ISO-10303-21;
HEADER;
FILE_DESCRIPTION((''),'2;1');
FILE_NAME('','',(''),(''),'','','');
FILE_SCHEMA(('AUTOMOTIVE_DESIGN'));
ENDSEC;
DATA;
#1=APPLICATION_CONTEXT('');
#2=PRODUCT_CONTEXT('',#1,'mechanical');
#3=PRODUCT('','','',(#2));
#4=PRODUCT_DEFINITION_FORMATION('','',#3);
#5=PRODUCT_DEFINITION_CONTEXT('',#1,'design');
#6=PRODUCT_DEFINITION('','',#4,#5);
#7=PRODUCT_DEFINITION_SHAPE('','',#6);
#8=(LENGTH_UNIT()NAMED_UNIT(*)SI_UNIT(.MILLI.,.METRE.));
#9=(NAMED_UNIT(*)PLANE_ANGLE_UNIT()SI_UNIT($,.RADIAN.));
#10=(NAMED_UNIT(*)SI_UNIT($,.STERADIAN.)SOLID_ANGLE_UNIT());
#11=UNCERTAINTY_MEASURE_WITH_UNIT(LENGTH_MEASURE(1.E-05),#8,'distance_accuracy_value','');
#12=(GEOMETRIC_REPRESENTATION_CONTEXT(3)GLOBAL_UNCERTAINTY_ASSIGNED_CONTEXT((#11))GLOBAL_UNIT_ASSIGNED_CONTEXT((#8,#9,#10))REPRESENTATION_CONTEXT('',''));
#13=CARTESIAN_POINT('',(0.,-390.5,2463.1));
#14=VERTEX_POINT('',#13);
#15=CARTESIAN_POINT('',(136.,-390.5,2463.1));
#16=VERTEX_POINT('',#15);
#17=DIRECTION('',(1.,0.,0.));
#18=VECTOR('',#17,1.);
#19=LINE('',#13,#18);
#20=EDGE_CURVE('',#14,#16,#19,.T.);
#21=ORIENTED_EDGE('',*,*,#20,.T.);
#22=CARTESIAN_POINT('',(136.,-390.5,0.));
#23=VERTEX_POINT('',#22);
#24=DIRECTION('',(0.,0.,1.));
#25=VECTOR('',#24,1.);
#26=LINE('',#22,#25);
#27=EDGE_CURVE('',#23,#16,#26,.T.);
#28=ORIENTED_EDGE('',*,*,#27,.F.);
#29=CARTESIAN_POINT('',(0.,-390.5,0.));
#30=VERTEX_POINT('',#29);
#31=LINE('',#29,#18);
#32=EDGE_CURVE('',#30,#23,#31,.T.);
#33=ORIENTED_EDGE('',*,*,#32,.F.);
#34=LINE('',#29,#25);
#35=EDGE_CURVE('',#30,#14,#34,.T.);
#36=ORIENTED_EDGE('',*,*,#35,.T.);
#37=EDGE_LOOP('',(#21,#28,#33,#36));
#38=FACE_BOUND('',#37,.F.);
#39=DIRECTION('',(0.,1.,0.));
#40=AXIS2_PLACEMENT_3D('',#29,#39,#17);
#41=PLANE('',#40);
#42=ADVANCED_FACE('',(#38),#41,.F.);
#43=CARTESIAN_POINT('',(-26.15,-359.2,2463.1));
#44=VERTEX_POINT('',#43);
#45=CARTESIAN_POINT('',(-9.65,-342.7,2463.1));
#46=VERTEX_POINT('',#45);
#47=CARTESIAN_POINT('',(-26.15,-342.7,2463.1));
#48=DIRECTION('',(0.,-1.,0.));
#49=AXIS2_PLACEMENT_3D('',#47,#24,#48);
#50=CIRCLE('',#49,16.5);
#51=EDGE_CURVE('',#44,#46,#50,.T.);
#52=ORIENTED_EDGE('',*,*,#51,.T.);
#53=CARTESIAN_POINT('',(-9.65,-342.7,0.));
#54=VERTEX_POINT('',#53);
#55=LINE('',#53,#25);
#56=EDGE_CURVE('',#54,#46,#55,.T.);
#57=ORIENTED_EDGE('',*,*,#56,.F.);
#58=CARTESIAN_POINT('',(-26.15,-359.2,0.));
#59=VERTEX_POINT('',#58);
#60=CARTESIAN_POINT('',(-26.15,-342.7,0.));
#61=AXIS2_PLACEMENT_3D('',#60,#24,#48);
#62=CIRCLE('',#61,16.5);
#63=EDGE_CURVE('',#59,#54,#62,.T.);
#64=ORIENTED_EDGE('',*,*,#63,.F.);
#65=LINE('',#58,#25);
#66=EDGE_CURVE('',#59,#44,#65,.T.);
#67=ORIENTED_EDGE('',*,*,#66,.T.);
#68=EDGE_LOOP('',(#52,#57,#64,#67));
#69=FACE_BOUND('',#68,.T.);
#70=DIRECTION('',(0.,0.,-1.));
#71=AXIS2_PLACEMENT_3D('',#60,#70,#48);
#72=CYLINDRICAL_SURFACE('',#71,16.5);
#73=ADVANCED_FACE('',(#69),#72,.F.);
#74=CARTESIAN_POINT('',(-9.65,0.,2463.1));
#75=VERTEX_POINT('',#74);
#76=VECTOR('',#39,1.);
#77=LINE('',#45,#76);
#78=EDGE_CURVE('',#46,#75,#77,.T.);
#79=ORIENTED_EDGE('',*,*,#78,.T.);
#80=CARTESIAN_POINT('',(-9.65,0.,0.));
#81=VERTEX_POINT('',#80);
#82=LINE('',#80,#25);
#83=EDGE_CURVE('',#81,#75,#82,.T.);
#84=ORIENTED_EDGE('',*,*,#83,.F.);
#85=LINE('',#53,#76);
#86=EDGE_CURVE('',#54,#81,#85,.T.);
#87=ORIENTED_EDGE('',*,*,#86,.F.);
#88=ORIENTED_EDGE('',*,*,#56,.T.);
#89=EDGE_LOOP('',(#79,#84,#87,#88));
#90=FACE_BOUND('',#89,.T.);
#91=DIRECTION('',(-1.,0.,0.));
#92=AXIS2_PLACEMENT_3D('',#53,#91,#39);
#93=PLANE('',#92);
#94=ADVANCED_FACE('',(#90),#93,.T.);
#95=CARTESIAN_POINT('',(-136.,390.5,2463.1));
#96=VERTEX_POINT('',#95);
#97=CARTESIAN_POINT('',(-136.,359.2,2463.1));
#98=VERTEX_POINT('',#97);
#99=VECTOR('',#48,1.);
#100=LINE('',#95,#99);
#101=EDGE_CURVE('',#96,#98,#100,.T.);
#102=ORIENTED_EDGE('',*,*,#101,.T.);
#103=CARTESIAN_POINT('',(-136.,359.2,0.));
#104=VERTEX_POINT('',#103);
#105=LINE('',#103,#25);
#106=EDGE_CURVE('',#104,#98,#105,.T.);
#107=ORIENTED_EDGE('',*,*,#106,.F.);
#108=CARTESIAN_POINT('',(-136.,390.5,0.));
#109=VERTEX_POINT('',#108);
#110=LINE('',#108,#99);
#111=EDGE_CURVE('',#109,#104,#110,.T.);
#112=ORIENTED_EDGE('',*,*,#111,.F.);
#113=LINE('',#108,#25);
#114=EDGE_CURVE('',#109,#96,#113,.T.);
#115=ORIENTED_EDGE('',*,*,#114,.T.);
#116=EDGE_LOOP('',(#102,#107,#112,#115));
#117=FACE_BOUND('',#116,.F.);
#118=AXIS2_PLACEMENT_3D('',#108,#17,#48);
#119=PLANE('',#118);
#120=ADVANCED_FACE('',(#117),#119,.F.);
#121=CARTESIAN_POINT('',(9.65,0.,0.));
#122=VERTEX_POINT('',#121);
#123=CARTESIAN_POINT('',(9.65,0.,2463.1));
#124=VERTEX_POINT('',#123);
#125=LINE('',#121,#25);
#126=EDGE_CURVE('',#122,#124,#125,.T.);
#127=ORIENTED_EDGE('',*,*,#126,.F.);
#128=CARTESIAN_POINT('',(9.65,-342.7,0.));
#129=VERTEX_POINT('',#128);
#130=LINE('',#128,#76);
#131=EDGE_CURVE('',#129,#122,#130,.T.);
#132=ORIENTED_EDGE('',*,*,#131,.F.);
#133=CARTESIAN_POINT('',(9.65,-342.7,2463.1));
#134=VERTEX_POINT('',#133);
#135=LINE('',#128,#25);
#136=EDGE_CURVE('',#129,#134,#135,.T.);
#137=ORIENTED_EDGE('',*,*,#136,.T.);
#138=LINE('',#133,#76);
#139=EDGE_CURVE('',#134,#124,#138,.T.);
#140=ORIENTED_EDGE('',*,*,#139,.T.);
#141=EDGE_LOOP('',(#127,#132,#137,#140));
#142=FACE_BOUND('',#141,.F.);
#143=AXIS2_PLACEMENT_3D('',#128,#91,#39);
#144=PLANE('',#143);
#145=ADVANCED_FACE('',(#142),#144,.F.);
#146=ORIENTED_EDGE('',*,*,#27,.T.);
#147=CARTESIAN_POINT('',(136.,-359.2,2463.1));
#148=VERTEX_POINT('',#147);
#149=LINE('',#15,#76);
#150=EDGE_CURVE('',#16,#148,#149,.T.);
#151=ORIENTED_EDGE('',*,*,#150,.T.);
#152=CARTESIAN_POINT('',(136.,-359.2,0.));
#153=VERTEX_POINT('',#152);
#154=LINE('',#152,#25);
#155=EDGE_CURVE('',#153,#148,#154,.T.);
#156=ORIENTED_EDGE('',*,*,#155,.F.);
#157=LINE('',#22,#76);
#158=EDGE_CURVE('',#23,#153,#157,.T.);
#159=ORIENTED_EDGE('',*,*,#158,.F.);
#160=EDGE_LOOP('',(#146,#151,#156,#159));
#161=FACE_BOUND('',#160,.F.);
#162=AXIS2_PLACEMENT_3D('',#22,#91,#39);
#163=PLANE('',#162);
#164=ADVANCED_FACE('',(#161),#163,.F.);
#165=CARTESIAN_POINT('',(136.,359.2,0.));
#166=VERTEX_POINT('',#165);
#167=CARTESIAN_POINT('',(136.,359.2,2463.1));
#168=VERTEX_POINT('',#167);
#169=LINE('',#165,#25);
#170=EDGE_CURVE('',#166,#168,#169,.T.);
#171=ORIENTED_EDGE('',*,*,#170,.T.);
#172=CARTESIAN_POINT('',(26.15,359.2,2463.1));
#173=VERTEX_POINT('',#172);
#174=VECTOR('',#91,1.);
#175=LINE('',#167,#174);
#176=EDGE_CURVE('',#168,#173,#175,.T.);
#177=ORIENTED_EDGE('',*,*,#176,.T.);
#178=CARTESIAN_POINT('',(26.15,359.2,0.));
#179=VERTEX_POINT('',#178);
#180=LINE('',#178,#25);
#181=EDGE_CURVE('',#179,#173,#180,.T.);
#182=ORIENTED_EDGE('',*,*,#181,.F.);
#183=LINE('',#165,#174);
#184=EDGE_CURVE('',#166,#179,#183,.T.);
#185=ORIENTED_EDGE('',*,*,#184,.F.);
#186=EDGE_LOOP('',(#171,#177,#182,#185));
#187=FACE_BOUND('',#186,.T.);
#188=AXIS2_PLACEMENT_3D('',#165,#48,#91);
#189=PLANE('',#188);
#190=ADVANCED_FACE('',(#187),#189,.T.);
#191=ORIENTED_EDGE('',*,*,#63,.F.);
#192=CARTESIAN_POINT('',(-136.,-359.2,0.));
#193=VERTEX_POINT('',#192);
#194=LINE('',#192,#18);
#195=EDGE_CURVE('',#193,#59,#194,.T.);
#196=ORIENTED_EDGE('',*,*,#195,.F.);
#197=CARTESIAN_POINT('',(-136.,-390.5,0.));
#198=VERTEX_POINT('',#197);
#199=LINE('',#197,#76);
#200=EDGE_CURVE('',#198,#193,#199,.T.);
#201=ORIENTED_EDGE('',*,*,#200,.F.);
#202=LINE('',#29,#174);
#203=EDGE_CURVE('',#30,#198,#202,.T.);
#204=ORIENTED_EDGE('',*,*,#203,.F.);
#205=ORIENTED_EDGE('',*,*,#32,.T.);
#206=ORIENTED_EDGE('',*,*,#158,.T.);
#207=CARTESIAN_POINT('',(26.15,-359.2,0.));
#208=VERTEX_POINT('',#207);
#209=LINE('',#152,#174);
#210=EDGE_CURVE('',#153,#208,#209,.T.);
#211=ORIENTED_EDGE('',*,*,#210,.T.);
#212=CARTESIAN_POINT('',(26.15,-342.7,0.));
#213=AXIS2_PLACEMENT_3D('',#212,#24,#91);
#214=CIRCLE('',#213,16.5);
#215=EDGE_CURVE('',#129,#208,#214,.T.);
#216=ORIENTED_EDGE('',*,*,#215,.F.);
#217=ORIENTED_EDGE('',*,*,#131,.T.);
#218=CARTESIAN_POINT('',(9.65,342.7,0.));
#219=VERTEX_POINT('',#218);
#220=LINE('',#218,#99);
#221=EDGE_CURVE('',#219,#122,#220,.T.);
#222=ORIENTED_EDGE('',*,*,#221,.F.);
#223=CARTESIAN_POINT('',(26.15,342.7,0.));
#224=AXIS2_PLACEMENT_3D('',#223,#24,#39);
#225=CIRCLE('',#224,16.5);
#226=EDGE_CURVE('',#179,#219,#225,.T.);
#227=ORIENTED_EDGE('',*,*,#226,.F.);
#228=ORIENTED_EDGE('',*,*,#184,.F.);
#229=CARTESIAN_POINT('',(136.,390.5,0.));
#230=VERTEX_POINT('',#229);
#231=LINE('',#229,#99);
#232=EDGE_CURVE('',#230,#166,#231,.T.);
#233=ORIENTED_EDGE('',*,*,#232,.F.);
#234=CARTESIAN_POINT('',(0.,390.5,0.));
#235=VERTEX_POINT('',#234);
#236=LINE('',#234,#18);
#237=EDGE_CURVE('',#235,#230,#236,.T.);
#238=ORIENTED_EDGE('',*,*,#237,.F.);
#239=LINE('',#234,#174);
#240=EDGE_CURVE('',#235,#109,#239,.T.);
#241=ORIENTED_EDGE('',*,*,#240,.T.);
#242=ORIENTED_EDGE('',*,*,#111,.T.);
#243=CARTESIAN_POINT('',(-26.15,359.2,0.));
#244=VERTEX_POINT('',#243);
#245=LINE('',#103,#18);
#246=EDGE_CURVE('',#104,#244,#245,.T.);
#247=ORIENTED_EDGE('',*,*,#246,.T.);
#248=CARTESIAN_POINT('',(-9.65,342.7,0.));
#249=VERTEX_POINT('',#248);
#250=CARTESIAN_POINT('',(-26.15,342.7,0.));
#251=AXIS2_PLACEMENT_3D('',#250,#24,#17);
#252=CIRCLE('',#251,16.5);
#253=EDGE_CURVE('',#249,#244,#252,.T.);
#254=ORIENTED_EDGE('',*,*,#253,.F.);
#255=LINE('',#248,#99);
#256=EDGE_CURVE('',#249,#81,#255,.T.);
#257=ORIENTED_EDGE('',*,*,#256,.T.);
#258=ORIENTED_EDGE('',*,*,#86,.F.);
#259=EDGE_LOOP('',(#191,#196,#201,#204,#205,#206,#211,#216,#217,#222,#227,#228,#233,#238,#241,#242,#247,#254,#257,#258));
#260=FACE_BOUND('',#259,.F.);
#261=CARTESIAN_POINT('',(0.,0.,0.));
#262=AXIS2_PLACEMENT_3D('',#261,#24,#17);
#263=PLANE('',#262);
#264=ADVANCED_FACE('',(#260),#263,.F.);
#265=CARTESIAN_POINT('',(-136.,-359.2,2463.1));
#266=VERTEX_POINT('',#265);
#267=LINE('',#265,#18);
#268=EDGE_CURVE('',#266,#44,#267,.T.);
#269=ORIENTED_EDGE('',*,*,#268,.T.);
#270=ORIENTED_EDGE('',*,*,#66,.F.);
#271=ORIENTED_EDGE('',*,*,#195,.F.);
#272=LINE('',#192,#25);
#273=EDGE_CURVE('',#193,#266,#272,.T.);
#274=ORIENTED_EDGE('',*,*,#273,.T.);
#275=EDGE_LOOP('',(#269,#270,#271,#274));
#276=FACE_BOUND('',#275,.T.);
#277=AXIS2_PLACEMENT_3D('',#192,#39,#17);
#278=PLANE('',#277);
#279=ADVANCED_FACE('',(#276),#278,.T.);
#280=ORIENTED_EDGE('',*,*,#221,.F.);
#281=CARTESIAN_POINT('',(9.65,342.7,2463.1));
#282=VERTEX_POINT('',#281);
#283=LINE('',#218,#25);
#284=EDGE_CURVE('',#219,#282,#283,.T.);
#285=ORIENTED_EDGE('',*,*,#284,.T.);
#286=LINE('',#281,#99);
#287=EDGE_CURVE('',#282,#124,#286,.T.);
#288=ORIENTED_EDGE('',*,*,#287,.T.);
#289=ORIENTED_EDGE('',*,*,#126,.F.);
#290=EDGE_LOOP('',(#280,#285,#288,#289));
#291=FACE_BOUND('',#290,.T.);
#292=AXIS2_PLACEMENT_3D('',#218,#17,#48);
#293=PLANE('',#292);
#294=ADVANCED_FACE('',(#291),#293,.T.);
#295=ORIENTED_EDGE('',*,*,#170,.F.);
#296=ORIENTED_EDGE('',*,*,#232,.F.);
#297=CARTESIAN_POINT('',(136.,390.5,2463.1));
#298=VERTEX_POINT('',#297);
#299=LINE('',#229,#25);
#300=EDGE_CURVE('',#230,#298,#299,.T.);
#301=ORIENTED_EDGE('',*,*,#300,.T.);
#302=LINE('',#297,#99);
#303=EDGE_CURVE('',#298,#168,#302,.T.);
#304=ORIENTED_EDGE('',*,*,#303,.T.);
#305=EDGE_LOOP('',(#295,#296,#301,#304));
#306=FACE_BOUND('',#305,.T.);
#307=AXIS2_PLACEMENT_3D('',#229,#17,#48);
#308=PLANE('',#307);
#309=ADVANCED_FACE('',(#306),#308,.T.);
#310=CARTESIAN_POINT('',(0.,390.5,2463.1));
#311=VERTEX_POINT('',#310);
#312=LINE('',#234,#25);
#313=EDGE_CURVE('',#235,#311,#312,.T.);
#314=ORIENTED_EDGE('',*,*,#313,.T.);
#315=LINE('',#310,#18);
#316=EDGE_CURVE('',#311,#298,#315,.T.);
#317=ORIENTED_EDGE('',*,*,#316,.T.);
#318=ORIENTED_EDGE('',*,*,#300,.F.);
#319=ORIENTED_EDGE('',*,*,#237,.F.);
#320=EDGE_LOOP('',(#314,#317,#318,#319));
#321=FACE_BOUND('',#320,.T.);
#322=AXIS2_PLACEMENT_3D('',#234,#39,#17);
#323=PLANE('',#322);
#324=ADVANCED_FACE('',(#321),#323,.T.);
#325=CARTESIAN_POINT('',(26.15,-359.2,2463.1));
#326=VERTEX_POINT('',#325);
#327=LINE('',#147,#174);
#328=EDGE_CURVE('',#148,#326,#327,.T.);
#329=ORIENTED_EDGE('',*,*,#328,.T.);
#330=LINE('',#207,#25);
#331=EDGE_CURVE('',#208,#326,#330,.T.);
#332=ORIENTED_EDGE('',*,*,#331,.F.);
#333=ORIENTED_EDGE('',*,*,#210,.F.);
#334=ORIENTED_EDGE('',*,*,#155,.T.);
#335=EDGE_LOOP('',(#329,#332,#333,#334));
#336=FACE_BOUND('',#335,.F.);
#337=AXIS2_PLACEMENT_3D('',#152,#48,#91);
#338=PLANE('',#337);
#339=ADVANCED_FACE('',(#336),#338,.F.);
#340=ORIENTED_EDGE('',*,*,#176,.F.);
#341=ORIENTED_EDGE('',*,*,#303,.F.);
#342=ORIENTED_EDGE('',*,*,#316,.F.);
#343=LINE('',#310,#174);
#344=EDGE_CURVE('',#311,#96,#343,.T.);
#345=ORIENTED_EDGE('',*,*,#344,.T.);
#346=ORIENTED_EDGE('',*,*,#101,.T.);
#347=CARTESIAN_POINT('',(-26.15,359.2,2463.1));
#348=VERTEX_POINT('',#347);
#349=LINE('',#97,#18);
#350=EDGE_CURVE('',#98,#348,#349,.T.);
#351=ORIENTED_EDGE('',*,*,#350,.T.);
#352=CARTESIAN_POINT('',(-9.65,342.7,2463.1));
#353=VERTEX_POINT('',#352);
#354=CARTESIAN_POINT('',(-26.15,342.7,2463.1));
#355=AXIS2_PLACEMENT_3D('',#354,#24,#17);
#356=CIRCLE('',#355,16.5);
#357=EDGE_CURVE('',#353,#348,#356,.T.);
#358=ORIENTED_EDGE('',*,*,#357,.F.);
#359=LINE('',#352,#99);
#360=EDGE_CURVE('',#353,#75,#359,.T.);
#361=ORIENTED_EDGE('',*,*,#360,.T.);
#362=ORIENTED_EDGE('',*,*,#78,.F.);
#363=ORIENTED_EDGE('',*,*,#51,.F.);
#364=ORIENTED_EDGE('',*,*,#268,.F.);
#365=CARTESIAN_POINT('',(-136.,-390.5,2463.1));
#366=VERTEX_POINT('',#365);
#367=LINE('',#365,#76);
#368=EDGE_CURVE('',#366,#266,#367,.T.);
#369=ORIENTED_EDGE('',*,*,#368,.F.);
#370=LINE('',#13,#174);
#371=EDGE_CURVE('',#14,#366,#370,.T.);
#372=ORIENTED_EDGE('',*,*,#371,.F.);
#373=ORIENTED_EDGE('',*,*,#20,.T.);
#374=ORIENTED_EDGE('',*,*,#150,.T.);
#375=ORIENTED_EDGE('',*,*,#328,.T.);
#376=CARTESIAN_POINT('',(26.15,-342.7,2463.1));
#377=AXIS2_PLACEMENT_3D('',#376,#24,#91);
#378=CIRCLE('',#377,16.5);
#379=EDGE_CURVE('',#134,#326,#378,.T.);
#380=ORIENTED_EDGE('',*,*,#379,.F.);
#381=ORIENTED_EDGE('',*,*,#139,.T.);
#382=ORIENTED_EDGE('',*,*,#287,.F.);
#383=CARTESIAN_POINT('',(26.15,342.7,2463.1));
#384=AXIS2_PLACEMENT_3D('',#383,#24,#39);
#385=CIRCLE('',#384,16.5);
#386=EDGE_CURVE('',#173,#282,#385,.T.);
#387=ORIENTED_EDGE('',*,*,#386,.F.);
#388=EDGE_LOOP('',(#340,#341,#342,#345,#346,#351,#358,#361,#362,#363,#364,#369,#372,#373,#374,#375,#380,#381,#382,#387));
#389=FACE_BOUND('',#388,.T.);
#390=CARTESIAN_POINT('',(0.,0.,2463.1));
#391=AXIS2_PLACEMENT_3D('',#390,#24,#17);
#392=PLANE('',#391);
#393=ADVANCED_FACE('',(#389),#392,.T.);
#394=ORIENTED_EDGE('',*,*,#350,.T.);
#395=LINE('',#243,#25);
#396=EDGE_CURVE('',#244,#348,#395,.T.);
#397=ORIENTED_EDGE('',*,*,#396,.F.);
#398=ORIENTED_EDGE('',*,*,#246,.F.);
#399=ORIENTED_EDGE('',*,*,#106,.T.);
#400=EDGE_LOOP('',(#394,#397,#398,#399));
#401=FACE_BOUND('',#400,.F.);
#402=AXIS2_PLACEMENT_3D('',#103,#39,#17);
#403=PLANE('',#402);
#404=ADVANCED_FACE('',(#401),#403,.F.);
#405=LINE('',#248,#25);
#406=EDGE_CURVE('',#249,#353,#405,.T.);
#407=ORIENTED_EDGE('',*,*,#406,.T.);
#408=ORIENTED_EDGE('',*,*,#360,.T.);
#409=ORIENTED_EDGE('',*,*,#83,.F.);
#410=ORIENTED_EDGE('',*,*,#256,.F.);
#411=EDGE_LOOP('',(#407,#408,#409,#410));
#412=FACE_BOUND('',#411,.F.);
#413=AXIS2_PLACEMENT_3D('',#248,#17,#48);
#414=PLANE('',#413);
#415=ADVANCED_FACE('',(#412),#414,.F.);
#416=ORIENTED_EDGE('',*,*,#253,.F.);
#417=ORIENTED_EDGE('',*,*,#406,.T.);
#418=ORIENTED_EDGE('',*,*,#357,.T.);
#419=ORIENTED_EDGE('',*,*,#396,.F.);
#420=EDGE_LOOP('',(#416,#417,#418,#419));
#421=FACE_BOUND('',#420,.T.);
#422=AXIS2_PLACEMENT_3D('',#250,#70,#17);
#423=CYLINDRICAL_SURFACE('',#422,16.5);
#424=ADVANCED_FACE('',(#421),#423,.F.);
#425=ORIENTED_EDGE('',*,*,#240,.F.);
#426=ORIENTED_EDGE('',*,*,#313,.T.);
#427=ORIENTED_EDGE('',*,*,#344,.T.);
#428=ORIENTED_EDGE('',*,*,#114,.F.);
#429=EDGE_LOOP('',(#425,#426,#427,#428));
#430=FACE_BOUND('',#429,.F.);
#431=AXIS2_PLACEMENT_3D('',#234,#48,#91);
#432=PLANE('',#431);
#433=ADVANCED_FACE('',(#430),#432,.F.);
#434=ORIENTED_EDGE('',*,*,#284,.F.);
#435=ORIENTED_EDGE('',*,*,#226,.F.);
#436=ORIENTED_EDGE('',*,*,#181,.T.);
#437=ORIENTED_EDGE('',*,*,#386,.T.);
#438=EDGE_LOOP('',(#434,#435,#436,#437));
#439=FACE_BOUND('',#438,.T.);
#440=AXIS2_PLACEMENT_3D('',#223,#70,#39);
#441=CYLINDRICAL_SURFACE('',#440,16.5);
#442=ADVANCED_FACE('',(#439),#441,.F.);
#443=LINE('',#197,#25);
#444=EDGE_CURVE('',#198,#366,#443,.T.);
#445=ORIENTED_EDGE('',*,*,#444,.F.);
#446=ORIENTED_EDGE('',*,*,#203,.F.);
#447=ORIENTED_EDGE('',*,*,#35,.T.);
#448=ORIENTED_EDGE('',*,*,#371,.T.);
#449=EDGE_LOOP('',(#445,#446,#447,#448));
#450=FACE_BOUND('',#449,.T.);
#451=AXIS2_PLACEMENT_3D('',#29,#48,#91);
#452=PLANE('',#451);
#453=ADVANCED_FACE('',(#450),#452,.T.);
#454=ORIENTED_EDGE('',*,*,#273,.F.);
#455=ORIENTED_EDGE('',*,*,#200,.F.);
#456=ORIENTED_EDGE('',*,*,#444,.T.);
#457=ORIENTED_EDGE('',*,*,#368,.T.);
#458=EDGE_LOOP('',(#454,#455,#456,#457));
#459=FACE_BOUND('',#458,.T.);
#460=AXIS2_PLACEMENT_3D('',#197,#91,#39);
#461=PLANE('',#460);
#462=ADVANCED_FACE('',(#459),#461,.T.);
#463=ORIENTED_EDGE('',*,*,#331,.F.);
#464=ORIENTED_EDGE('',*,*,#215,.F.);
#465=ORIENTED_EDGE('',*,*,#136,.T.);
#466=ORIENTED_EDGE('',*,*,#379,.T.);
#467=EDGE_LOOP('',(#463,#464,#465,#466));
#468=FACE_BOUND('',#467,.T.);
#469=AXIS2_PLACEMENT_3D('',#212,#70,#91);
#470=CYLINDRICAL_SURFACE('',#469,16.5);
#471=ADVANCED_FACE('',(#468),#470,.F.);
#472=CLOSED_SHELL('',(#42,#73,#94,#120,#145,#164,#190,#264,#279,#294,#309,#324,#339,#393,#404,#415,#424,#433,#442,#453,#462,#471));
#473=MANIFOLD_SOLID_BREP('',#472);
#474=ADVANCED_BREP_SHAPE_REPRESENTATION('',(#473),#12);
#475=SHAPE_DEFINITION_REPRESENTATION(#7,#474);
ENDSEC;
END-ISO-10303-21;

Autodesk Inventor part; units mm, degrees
ref_plane "YZ Plane" through (0, 0, 0) normal (1, 0, 0) x (0, 1, 0)
ref_plane "Start plane" through (0, 0, 0) normal (0, 0, 1) x (1, 0, 0)
ref_plane "End plane" through (0, 0, 2463.1) normal (0, 0, 1) x (1, 0, 0)
sketch "Sketch" plane through (0, 0, 0) normal (0, 0, 1) x (1, 0, 0)
  line L0 (-136, -390.5) -> (-136, -359.2)
  line L1 (-136, -359.2) -> (-26.15, -359.2)
  line L2 (-9.65, -342.7) -> (-9.65, 0)
  line L3 (-9.65, 0) -> (0, 0) construction
  line L4 (0, 0) -> (0, -390.5) construction
  line L5 (0, -390.5) -> (-136, -390.5)
  line L6 (-60, 0) -> (80, 0) construction
  line L7 (0, -60) -> (0, 80) construction
  line L8 (136, -390.5) -> (136, -359.2)
  line L9 (136, -359.2) -> (26.15, -359.2)
  line L10 (9.65, -342.7) -> (9.65, 0)
  line L11 (9.65, 0) -> (0, 0) construction
  line L12 (0, -390.5) -> (136, -390.5)
  line L13 (-136, 390.5) -> (-136, 359.2)
  line L14 (-136, 359.2) -> (-26.15, 359.2)
  line L15 (-9.65, 342.7) -> (-9.65, 0)
  line L16 (0, 390.5) -> (-136, 390.5)
  line L17 (136, 390.5) -> (136, 359.2)
  line L18 (136, 359.2) -> (26.15, 359.2)
  line L19 (0, 390.5) -> (136, 390.5)
  line L20 (9.65, 342.7) -> (9.65, 0)
  arc A0 (-9.65, 342.7) -> (-26.15, 359.2) centre (-26.15, 342.7) ccw
  arc A1 (26.15, 359.2) -> (9.65, 342.7) centre (26.15, 342.7) ccw
  arc A2 (9.65, -342.7) -> (26.15, -359.2) centre (26.15, -342.7) ccw
  arc A3 (-26.15, -359.2) -> (-9.65, -342.7) centre (-26.15, -342.7) ccw
  line L21 (0, 108) -> (0, -88) construction
  line L22 (-88, 0) -> (108, 0) construction
  point P0 (-9.65, -359.2)
  point P1 (9.65, -359.2)
  point P2 (-9.65, 359.2)
  point P3 (9.65, 359.2)
  dimension "d1" = 390.5
  dimension "d2" = 31.3
  dimension "d3" = 136
  dimension "d4" = 9.65
  dimension "d10" = 16.5
extrude "Body" add sketch "Sketch" along normal up to surface (2463.1 mm away) from surface at 0
sketch "Sketch4" plane through (0, 0, 0) normal (0, 0, 1) x (1, 0, 0)
  line L0 (0, 0) -> (10, 0)
ref_plane "Work Plane3" through (0, 0, 0) normal (0, -1, 0) x (1, 0, 0)
sketch "Sketch5" plane through (0, 0, 0) normal (0, -1, 0) x (1, 0, 0)
  line L0 (-2, 0) -> (12, 0) projected
  line L1 (-2, 2463.1) -> (12, 2463.1) projected
  dimension "d14" = 2463.1
equation "\"d1\" = 0.5 * G_H"
equation "\"d2\" = G_T1"
equation "\"d3\" = 0.5 * G_W"
equation "\"d4\" = 0.5 * G_T"
equation "\"d10\" = G_IR"
equation "\"d5\" = G_L"
equation "\"G_W\" = 272"
equation "\"G_H\" = 781"
equation "\"G_T\" = 19.3"
equation "\"G_T1\" = 31.3"
equation "\"G_IR\" = 16.5"
equation "\"G_L\" = d14"
equation "\"G_OFFSET_START\" = 0"
equation "\"G_OFFSET_END\" = 0"
equation "\"d12\" = G_OFFSET_END + B_L"
equation "\"B_L\" = 2463.1"
properties part number "AS 3679-1990 - 760 UB - 244 - 2463.1" material "Steel, Mild"
